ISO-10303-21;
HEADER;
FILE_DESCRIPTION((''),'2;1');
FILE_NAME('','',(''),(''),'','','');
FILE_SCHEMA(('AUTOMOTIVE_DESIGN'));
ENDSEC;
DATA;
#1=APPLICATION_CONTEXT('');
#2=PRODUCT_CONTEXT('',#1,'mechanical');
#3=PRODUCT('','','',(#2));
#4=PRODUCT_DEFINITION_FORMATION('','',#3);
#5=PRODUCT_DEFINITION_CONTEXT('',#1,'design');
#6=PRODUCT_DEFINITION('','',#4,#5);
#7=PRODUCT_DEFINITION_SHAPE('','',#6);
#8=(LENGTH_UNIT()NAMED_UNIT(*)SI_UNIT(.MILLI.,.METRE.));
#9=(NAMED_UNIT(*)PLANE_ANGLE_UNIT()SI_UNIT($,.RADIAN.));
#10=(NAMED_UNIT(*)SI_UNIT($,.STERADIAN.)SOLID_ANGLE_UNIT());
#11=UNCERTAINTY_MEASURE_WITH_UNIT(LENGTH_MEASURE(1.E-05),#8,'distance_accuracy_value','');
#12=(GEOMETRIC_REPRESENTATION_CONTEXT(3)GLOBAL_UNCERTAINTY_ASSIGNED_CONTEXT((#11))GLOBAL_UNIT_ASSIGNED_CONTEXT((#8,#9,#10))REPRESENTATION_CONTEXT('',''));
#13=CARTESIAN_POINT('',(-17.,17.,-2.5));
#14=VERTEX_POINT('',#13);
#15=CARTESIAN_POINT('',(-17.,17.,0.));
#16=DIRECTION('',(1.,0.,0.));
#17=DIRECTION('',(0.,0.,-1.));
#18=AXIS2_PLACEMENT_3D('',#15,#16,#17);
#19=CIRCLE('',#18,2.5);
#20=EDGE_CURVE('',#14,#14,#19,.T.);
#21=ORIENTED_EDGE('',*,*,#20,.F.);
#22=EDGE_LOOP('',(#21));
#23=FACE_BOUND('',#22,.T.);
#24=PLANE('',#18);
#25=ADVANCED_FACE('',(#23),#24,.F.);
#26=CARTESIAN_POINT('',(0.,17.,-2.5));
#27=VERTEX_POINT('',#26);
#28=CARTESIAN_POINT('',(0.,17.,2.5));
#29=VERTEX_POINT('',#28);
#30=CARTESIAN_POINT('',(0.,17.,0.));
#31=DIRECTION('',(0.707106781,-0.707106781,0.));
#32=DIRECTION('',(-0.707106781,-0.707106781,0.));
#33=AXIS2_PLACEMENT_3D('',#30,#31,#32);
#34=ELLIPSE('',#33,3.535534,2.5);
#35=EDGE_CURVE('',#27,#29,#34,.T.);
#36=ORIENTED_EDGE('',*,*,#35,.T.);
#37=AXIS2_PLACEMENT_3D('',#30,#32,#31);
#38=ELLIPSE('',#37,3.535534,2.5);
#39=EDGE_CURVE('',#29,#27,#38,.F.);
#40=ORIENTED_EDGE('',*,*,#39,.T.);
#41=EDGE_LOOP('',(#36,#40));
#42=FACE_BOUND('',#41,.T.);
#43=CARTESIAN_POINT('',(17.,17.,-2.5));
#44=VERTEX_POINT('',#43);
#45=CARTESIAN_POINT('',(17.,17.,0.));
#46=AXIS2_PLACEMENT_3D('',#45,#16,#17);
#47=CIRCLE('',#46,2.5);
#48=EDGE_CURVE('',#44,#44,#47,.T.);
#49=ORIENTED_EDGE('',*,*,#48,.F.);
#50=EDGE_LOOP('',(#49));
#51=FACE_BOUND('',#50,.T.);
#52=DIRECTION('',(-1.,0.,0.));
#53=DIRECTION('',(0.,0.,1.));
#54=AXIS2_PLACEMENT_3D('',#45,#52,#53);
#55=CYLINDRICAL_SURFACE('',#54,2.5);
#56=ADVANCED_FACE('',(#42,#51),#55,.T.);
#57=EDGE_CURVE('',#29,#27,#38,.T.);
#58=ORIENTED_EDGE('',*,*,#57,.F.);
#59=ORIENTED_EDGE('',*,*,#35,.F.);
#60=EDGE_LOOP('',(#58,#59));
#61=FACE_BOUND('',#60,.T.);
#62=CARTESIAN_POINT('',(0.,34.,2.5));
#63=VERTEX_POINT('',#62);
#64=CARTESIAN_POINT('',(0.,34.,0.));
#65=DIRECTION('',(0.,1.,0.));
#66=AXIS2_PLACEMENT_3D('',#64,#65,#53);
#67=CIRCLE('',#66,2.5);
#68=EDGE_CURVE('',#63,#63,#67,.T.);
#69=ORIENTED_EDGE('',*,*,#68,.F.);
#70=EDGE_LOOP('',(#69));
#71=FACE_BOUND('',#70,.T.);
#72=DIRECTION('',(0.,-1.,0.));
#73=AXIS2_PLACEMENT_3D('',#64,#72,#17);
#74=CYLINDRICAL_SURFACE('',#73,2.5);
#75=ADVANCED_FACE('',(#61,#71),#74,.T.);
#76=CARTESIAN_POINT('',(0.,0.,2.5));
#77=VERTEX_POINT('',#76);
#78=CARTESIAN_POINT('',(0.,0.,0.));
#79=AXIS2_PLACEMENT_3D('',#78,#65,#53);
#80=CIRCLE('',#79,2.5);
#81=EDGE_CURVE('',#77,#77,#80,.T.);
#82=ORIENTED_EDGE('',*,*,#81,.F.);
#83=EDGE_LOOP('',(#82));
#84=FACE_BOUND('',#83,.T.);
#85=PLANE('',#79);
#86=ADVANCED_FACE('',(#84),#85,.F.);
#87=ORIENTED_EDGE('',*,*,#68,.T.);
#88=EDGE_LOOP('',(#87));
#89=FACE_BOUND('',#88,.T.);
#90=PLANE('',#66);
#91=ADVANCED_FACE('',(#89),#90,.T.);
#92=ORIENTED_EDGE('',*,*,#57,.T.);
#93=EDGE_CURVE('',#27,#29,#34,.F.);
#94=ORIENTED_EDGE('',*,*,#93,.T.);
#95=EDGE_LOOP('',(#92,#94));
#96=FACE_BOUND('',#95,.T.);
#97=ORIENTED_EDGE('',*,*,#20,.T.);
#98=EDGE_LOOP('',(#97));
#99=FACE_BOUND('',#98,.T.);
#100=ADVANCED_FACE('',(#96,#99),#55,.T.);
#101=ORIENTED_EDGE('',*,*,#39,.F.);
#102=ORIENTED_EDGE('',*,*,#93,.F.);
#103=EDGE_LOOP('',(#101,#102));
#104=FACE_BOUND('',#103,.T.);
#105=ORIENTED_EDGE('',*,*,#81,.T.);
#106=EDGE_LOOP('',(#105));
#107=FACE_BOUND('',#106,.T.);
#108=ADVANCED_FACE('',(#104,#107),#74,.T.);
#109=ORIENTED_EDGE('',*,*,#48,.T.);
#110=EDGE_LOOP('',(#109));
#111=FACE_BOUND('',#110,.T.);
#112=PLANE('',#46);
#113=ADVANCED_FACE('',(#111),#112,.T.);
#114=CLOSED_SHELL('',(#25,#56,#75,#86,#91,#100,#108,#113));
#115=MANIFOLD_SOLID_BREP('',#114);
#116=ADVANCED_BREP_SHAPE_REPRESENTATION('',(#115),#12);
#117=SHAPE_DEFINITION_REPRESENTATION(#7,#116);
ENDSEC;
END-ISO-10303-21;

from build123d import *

# Parameters (mm, degrees)
SKETCH2_R           = 2.5
BOSS_EXTRUDE1_DEPTH = 34
SKETCH3_R           = 2.5
BOSS_EXTRUDE2_DEPTH = 17


with BuildPart() as part:
    # Sketch2 → Boss-Extrude1 (new body)
    with BuildSketch(Plane(origin=(0, 0, 0), x_dir=(1, 0, 0), z_dir=(0, 1, 0))):
        Circle(SKETCH2_R)
    extrude(amount=BOSS_EXTRUDE1_DEPTH)

    # Sketch3 → Boss-Extrude2 (add, symmetric)
    with BuildSketch(Plane(origin=(0, 0, 0), x_dir=(0, 0, -1), z_dir=(1, 0, 0))):
        with Locations((0, 17)):
            Circle(SKETCH3_R)
    extrude(amount=BOSS_EXTRUDE2_DEPTH, both=True)


solid = part.part
